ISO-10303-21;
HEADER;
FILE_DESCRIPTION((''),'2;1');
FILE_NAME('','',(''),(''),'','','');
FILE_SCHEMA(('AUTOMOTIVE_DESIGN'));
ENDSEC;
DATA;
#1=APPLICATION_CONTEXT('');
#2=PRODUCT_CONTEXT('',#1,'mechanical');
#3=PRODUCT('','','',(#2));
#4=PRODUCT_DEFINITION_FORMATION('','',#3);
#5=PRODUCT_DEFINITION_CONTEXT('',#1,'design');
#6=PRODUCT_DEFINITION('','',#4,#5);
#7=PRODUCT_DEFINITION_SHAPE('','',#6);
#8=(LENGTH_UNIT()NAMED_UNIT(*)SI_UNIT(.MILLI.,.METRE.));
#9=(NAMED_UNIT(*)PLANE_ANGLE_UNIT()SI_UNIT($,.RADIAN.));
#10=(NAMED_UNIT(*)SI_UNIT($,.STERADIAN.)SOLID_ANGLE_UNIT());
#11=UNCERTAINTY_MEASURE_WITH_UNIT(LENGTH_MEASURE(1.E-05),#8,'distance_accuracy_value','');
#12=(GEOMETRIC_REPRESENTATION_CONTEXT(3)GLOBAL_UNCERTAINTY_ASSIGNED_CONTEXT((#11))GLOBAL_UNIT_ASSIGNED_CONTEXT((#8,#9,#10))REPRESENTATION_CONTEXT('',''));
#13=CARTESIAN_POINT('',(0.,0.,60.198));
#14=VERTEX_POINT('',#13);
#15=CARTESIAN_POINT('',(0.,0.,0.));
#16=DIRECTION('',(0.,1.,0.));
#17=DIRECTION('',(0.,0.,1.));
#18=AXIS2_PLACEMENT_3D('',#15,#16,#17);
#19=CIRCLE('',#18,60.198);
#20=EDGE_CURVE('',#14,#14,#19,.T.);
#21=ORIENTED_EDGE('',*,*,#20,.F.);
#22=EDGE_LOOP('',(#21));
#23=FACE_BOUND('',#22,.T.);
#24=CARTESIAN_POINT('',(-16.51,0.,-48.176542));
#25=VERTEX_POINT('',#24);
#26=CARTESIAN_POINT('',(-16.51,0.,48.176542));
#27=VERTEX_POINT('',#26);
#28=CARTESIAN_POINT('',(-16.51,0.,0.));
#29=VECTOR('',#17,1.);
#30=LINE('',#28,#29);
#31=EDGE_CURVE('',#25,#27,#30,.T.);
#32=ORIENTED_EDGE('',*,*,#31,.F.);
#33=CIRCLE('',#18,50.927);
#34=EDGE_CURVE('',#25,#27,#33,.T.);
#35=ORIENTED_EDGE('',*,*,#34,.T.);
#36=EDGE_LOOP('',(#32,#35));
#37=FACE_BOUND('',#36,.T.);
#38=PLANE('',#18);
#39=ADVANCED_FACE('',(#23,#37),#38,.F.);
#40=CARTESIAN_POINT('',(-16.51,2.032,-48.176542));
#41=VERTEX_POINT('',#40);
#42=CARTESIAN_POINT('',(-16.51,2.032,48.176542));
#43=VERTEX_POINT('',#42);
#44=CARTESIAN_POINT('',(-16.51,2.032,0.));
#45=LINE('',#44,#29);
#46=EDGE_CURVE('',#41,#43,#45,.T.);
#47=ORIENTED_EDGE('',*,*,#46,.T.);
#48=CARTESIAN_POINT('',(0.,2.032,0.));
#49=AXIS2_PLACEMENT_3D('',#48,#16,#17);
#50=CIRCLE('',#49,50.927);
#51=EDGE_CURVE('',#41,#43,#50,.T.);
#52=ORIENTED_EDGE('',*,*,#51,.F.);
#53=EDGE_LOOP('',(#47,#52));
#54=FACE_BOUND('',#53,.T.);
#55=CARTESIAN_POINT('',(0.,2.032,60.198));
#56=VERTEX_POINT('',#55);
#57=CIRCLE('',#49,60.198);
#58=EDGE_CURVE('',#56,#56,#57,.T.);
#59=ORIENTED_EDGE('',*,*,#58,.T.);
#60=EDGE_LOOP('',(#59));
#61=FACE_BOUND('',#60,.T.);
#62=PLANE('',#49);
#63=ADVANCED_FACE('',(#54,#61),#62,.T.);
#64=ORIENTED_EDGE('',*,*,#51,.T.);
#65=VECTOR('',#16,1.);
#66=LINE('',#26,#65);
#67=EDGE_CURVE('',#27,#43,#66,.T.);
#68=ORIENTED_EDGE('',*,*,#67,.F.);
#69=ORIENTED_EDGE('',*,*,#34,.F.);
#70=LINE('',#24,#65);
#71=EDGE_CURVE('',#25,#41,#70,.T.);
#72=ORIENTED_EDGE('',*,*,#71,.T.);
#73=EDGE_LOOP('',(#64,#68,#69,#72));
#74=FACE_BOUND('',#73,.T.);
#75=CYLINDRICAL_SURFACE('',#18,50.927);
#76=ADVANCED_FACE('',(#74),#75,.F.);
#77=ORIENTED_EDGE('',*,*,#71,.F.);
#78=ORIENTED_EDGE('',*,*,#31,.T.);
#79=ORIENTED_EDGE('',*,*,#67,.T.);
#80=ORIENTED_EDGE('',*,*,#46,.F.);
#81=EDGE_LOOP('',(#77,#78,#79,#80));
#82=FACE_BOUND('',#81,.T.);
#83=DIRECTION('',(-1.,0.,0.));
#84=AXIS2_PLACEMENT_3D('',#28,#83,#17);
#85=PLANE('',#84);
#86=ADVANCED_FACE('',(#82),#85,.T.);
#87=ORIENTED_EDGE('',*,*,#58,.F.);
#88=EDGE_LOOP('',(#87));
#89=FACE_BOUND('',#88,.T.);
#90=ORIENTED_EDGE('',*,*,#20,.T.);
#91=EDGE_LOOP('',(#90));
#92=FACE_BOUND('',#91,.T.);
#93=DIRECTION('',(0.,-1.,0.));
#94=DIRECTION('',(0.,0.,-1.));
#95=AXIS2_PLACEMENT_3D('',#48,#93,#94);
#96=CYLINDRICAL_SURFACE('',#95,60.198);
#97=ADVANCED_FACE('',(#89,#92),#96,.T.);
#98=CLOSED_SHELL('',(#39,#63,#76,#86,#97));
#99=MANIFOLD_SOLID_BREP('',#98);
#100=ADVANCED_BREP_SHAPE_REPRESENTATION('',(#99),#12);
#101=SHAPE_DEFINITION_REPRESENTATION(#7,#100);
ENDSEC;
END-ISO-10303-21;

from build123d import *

# Parameters (mm, degrees)
SKETCH3_R           = 60.198
BOSS_EXTRUDE1_DEPTH = 2.032
CUT_EXTRUDE1_DEPTH  = 3.032


with BuildPart() as part:
    # Sketch3 → Boss-Extrude1 (new body)
    with BuildSketch(Plane(origin=(0, 0, 0), x_dir=(1, 0, 0), z_dir=(0, 1, 0))):
        Circle(SKETCH3_R)
    extrude(amount=BOSS_EXTRUDE1_DEPTH)

    # Sketch6 → Cut-Extrude1 (cut, through all)
    with BuildSketch(Plane(origin=(0, 2.032, 0), x_dir=(1, 0, 0), z_dir=(0, 1, 0))):
        with BuildLine():
            Line((-16.51, -48.176542311), (-16.51, 48.176542311))
            ThreePointArc((-16.51, 48.176542311), (-50.927, 0), (-16.51, -48.176542311))
        make_face()
    extrude(amount=-CUT_EXTRUDE1_DEPTH, mode=Mode.SUBTRACT)


solid = part.part
